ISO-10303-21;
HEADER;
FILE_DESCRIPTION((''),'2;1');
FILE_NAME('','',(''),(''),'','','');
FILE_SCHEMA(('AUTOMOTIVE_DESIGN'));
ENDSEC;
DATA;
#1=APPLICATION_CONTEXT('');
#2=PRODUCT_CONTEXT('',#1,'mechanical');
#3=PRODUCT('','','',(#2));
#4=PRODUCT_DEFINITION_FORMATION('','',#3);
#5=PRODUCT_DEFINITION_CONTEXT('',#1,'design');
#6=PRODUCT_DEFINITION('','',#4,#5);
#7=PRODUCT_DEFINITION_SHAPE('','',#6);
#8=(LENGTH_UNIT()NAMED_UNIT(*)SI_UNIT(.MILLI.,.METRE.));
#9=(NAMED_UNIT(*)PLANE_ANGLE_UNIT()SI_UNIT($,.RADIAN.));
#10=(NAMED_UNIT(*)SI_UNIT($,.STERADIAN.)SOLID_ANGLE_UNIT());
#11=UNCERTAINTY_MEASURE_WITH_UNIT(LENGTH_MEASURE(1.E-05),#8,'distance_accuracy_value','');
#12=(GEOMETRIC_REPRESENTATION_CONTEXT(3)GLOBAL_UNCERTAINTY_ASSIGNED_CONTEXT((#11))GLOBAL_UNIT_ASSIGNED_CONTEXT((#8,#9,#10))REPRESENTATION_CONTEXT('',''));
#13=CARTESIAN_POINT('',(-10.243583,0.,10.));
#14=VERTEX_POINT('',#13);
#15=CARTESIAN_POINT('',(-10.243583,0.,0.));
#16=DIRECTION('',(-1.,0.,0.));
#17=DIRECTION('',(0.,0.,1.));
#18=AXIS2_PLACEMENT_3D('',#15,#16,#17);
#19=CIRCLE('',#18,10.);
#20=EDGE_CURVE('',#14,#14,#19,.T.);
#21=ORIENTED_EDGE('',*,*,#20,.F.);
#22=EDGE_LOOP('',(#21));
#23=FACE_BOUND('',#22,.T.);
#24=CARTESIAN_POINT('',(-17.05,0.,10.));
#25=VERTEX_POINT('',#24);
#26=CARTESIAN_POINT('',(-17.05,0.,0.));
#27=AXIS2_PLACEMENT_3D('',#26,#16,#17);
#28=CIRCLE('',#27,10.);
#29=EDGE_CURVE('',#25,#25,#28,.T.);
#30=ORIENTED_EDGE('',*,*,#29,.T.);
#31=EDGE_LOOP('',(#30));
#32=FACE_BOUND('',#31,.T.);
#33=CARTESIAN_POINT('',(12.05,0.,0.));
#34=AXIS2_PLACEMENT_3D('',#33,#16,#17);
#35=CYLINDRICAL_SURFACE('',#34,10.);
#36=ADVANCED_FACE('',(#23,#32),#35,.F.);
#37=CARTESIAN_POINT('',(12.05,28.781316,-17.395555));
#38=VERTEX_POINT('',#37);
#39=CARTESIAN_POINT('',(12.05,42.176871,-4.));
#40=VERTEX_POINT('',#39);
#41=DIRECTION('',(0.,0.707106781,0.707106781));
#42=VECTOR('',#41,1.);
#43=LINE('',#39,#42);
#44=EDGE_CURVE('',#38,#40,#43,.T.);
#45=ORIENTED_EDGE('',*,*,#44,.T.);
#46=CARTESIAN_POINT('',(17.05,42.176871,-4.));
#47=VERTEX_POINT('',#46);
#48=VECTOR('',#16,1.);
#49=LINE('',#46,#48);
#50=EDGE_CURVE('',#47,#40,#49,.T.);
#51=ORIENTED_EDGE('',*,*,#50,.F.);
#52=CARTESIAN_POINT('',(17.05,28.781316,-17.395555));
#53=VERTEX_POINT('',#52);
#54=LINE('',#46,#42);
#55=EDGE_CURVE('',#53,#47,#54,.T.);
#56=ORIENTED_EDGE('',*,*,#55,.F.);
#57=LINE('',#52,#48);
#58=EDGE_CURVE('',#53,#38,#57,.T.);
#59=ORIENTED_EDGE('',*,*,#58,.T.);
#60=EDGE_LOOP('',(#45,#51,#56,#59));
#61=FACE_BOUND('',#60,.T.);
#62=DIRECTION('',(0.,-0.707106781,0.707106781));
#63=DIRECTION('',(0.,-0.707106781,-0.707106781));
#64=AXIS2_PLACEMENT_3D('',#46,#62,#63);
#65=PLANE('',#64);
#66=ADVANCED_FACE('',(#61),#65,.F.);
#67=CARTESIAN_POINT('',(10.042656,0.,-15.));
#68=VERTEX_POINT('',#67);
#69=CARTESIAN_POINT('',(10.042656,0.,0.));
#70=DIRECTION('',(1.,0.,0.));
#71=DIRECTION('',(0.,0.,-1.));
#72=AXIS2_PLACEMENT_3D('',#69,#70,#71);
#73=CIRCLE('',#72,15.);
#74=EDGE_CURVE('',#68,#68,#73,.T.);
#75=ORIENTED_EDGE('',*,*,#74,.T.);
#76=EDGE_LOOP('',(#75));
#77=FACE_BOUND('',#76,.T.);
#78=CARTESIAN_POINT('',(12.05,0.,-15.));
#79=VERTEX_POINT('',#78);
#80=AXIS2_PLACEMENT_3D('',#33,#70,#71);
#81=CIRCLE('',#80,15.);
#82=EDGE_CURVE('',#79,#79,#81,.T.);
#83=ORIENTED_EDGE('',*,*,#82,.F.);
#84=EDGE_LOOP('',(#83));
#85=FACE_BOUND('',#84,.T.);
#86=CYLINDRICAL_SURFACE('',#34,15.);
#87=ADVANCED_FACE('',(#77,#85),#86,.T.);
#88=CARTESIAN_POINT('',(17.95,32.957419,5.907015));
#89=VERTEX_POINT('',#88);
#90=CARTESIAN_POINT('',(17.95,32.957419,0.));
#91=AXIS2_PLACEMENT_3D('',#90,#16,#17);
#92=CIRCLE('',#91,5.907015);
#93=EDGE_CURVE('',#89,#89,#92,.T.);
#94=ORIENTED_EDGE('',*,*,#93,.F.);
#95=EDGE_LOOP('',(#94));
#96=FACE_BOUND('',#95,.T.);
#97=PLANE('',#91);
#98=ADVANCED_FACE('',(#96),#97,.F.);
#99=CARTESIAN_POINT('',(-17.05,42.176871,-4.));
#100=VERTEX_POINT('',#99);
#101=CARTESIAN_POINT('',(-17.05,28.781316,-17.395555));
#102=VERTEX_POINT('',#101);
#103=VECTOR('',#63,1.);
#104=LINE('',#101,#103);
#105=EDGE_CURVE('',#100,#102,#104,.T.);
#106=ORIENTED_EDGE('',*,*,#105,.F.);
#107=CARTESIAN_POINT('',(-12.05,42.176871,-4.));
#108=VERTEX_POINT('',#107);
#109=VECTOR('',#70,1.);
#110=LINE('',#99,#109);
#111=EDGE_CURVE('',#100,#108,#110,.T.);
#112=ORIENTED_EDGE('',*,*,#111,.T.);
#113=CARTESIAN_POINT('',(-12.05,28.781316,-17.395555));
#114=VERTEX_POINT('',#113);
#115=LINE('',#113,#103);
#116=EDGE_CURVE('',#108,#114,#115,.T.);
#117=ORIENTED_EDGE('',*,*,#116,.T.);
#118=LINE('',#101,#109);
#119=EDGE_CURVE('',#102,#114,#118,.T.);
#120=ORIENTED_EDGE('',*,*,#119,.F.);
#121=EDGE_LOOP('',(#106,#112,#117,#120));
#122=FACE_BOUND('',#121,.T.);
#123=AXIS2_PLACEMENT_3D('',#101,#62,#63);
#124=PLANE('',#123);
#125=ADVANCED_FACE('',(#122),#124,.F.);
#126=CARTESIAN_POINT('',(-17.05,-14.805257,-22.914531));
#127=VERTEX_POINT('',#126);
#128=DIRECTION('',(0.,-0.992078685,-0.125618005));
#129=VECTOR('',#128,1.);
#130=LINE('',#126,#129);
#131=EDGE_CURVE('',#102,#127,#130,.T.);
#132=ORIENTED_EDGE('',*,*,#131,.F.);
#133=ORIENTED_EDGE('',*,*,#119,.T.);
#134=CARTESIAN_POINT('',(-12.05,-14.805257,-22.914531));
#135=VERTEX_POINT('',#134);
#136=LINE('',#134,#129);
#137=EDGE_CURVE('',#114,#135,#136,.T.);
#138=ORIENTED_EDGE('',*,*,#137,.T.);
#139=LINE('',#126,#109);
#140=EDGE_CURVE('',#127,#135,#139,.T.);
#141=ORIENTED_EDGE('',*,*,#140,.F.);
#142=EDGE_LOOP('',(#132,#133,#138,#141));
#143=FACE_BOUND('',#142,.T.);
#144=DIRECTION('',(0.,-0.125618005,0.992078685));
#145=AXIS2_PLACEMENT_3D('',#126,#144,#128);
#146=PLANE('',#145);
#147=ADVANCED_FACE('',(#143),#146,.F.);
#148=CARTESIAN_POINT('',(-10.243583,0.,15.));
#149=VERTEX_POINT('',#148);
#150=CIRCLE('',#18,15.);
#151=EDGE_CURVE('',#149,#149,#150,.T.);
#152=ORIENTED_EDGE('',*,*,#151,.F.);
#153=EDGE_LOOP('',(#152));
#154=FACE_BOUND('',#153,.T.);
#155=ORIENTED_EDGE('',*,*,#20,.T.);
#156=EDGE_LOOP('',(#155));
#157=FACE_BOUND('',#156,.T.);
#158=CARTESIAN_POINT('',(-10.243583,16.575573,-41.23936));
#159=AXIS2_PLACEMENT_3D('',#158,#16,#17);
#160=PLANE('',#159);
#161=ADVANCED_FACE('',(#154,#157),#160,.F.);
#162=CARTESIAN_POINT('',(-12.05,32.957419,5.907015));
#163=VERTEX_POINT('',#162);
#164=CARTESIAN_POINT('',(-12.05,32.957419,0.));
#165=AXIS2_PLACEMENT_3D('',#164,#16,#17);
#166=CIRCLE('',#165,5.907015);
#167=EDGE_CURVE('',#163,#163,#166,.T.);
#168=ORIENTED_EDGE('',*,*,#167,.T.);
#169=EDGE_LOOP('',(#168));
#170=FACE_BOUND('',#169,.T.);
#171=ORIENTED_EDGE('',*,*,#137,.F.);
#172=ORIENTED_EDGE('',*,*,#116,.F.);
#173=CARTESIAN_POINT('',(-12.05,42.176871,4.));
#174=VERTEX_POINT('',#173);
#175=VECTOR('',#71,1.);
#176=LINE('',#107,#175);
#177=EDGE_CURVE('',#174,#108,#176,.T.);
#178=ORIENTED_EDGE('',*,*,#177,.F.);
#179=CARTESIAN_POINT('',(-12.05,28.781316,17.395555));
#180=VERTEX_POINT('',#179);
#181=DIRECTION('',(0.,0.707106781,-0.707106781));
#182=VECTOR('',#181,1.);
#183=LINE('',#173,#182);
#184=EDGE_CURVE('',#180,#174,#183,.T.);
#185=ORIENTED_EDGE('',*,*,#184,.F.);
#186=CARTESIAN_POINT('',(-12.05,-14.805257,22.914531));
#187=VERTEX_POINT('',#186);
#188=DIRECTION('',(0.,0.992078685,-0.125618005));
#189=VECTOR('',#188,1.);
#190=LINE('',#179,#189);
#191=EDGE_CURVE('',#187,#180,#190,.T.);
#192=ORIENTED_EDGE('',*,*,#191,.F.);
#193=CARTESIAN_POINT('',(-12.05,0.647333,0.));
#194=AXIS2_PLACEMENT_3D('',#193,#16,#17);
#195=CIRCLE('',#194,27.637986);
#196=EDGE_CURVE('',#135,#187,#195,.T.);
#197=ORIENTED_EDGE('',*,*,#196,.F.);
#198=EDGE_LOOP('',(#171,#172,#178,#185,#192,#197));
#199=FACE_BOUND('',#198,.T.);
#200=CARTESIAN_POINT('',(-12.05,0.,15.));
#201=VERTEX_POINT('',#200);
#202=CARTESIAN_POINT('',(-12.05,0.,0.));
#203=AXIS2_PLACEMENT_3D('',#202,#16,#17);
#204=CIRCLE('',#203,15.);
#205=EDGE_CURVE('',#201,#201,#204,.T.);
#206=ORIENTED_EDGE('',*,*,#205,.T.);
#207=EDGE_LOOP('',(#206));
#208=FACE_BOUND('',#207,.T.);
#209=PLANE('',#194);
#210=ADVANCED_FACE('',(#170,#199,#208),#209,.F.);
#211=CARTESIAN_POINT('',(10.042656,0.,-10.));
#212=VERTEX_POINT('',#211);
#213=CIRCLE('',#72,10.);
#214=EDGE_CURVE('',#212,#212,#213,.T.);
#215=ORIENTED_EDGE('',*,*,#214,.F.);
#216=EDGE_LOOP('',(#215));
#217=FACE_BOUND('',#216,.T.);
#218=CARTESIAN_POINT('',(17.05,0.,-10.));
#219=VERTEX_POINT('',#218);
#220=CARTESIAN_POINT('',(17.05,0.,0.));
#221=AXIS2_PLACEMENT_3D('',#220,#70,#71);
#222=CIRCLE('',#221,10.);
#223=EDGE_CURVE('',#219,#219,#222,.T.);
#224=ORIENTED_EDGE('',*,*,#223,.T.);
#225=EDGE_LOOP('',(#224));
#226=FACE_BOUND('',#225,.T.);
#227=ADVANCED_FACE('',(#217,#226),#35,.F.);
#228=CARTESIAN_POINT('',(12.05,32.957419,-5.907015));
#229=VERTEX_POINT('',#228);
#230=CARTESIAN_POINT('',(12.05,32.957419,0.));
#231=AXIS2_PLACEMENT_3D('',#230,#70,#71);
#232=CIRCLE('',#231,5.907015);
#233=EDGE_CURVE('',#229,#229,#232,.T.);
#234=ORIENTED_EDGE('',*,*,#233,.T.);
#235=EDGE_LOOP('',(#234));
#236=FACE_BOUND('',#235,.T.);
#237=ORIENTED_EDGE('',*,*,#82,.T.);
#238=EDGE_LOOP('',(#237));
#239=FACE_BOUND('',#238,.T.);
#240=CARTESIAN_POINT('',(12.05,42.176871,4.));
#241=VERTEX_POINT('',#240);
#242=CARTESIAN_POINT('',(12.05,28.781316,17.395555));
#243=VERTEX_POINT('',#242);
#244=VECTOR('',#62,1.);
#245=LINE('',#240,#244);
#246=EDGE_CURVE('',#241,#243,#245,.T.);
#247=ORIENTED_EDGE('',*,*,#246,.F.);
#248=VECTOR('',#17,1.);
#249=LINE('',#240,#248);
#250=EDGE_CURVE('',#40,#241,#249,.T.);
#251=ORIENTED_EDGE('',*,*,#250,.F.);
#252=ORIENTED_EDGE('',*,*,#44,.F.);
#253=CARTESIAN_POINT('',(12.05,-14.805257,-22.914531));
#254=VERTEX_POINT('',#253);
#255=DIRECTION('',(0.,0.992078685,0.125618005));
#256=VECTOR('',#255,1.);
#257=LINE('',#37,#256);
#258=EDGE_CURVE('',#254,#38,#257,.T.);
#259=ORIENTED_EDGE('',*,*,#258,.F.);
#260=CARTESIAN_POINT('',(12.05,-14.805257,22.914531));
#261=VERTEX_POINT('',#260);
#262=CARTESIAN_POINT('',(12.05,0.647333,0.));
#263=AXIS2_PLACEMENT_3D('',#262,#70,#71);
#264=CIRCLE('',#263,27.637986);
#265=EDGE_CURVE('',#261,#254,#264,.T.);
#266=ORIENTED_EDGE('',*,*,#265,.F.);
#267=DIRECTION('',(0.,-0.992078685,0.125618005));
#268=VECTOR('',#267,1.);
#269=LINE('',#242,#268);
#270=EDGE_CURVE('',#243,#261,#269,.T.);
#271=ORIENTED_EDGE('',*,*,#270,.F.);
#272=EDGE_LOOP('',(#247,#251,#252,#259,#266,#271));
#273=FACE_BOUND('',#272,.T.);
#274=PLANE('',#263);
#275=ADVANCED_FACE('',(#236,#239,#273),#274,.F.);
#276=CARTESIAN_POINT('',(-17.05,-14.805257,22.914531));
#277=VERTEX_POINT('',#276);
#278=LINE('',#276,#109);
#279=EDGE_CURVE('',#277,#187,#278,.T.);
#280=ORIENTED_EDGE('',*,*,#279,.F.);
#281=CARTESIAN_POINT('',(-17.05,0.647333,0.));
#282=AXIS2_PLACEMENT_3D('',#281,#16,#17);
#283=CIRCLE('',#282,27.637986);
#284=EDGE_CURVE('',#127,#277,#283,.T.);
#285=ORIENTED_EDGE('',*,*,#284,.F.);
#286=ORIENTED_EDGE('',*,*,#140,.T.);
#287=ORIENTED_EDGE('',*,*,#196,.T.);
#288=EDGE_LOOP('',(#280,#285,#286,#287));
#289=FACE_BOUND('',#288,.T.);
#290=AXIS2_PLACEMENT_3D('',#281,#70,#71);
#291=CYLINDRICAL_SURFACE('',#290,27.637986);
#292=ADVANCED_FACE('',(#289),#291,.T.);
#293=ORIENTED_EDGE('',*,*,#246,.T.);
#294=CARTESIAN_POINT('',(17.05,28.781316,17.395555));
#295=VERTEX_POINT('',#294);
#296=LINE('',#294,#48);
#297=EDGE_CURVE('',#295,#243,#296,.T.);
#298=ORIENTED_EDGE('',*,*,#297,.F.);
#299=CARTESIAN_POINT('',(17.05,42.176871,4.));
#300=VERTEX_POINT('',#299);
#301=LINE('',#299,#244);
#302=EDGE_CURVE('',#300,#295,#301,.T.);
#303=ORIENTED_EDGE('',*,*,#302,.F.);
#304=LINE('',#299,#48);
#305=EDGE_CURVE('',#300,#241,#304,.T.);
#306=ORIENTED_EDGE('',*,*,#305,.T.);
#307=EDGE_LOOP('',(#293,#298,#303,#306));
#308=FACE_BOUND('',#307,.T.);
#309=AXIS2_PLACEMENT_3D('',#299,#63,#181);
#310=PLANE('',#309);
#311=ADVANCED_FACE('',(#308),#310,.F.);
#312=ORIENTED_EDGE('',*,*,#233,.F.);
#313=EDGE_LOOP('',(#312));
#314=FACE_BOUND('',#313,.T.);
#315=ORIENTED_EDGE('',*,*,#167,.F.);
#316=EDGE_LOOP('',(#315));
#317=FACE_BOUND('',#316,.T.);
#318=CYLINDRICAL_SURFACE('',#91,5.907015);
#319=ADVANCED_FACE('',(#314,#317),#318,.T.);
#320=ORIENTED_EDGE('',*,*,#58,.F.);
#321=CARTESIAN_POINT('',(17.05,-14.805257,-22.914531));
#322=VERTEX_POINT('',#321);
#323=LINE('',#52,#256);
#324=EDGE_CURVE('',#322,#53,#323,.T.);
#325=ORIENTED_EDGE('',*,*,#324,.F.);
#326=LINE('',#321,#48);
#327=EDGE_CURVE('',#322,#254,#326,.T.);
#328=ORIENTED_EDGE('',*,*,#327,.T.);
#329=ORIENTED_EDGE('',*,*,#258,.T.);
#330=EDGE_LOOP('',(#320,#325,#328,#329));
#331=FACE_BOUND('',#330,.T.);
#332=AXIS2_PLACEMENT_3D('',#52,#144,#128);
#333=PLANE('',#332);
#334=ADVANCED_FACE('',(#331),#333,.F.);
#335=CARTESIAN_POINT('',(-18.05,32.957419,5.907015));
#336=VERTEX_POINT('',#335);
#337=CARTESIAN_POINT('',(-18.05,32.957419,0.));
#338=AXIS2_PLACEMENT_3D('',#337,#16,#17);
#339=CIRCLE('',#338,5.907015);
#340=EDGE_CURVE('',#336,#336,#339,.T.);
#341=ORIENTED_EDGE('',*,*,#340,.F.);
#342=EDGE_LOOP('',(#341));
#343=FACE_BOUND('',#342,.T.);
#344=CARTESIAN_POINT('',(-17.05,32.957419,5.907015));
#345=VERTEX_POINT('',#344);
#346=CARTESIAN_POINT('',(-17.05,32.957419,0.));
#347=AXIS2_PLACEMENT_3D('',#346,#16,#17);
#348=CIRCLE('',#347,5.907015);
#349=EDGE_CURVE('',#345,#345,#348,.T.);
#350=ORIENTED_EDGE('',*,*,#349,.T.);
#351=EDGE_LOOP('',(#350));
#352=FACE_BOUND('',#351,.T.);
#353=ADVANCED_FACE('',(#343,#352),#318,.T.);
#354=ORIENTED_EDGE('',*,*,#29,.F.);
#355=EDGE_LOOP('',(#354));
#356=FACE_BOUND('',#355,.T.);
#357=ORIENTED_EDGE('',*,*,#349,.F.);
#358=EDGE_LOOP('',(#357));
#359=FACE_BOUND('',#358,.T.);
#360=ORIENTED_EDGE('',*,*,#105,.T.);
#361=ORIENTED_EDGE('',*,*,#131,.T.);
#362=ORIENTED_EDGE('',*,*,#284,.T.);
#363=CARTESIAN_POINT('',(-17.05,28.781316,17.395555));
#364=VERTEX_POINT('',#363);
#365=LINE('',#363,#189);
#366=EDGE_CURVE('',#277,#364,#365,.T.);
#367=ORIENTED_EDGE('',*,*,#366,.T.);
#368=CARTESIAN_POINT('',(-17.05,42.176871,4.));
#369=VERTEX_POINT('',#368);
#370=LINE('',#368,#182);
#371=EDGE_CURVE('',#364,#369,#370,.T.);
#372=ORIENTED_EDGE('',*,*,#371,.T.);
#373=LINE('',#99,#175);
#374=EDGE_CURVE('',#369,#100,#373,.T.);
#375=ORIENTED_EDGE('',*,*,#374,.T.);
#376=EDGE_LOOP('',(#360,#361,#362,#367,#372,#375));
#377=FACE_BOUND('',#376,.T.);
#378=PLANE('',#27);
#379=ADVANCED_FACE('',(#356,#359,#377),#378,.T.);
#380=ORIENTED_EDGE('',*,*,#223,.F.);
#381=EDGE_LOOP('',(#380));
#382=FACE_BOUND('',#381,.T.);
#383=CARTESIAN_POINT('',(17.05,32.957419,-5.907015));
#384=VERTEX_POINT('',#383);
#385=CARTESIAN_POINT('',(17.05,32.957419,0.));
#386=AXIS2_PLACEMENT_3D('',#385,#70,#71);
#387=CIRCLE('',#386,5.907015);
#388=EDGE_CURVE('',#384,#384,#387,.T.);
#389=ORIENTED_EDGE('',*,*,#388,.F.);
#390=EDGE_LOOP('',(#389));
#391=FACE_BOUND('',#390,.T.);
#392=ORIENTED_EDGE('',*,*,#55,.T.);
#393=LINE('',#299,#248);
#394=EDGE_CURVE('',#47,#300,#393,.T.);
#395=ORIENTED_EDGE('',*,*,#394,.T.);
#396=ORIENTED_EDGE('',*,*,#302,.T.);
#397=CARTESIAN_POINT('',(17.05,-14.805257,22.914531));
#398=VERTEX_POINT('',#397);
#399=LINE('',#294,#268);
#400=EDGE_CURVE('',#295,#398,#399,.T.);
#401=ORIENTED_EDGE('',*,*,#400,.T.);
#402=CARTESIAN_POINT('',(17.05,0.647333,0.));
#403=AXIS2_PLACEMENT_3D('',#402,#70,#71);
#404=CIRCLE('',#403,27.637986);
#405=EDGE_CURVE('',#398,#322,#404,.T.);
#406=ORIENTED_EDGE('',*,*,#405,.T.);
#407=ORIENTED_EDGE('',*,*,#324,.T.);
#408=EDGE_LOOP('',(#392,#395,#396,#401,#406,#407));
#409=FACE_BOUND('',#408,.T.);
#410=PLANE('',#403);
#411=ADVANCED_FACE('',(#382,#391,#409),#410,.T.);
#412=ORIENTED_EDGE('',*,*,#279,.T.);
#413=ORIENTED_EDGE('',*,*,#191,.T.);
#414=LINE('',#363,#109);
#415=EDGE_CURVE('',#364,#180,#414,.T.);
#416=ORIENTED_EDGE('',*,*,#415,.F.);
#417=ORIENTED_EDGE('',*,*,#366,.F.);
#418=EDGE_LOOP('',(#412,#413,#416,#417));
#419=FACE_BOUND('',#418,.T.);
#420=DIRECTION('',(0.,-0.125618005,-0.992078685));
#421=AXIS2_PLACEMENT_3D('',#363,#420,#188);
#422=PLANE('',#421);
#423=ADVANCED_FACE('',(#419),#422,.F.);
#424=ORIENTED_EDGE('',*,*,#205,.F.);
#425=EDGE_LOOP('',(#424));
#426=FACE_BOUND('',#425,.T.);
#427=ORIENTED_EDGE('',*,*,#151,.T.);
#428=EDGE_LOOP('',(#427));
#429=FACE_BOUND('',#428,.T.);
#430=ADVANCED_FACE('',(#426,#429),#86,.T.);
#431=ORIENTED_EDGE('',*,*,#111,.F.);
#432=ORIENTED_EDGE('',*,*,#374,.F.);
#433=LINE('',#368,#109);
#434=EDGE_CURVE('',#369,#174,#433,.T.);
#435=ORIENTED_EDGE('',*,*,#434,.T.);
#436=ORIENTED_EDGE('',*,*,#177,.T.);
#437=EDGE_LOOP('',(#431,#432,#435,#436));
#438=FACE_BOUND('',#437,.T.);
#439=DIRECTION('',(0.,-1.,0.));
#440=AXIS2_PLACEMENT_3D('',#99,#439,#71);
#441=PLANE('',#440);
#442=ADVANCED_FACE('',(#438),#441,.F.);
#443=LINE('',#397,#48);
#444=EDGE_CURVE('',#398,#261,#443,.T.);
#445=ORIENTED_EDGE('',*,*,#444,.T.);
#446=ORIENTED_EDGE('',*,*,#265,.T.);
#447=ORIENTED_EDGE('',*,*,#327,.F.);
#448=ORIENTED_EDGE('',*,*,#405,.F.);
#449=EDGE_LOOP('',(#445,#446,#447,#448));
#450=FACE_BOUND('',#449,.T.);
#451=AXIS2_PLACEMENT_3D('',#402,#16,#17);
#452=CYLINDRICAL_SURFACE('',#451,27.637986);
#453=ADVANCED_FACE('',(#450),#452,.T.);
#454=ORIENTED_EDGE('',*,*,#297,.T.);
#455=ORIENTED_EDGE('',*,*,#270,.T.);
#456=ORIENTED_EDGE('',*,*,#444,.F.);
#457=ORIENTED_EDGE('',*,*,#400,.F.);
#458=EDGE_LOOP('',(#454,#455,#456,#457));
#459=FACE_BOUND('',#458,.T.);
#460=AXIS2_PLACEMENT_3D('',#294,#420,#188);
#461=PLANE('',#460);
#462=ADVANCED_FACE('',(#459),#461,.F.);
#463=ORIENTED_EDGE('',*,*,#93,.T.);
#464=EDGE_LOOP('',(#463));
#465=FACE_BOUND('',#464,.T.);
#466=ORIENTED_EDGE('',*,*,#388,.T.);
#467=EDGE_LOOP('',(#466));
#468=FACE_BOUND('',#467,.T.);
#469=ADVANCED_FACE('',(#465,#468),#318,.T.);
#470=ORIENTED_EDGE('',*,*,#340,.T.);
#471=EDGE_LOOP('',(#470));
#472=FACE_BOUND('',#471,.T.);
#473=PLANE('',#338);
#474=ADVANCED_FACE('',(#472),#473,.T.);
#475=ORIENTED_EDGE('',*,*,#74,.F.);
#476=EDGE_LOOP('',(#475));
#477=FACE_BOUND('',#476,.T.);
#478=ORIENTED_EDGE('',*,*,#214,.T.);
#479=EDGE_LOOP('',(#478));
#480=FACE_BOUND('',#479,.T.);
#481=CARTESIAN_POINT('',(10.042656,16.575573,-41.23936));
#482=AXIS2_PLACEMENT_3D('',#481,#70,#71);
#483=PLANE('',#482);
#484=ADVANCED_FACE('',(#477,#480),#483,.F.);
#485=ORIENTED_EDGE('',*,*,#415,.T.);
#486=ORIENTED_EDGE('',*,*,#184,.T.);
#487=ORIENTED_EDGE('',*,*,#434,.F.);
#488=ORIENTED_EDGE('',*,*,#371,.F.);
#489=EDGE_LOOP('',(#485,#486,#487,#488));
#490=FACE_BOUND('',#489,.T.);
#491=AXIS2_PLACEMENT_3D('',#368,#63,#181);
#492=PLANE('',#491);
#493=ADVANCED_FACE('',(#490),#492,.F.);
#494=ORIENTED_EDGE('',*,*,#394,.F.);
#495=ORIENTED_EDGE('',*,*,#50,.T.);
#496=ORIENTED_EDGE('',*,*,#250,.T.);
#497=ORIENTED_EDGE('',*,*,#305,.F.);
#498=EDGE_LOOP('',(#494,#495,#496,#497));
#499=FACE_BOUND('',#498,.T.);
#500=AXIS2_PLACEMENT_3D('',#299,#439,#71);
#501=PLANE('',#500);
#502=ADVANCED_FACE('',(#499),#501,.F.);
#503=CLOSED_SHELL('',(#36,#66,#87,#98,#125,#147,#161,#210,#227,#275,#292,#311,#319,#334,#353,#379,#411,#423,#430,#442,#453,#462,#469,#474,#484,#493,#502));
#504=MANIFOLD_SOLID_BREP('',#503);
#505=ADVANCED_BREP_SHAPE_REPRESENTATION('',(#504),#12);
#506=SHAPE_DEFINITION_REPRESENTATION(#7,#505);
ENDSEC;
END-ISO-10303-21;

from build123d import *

# Parameters (mm, degrees)
IZIM2_R                          = 15
IZIM2_R_2                        = 10
Y_KSEKLIK_EKSTR_ZYON1_DEPTH      = 12.05
IZIM3_R                          = 10
Y_KSEKLIK_EKSTR_ZYON2_DEPTH      = 5
IZIM4_R                          = 15
Y_KSEKLIK_EKSTR_ZYON3_DEPTH      = 5
IZIM7_R                          = 15
IZIM7_R_2                        = 10
Y_KSEKLIK_EKSTR_ZYON4_DEPTH      = 5
IZIM5_R                          = 5.907014981
Y_KSEKLIK_EKSTR_ZYON5_DEPTH      = 1
Y_KSEKLIK_EKSTR_ZYON5_DEPTH_BACK = 35
SKETCH1_W                        = 20.286238667
SKETCH1_H                        = 40.774330455
CUT_EXTRUDE1_DEPTH               = 110


with BuildPart() as part:
    # Çizim2 → Yükseklik-Ekstrüzyon1 (new body, symmetric)
    with BuildSketch(Plane(origin=(0, 0, 0), x_dir=(0, 0, -1), z_dir=(1, 0, 0))):
        Circle(IZIM2_R)
        Circle(IZIM2_R_2, mode=Mode.SUBTRACT)
    extrude(amount=Y_KSEKLIK_EKSTR_ZYON1_DEPTH, both=True)

    # Çizim3 → Yükseklik-Ekstrüzyon2 (add)
    with BuildSketch(Plane(origin=(12.05, 0, 0), x_dir=(0, 0, -1), z_dir=(1, 0, 0))):
        with BuildLine():
            Line((-4, 42.176870951), (4, 42.176870951))
            Line((4, 42.176870951), (17.395555059, 28.781315891))
            Line((17.395555059, 28.781315891), (22.914530919, -14.80525669))
            ThreePointArc((22.914530919, -14.80525669), (0, -26.990652818), (-22.914530919, -14.80525669))
            Line((-22.914530919, -14.80525669), (-17.395555059, 28.781315891))
            Line((-17.395555059, 28.781315891), (-4, 42.176870951))
        make_face()
        Circle(IZIM3_R, mode=Mode.SUBTRACT)
    extrude(amount=Y_KSEKLIK_EKSTR_ZYON2_DEPTH)



with BuildPart() as body_2:
    # Çizim4 → Yükseklik-Ekstrüzyon3 (new body)
    with BuildSketch(Plane.ZY.offset(12.05)):
        with BuildLine():
            Line((-4, 42.176870951), (4, 42.176870951))
            Line((4, 42.176870951), (17.395555059, 28.781315891))
            Line((17.395555059, 28.781315891), (22.914530919, -14.80525669))
            ThreePointArc((22.914530919, -14.80525669), (0, -26.990652818), (-22.914530919, -14.80525669))
            Line((-22.914530919, -14.80525669), (-17.395555059, 28.781315891))
            Line((-17.395555059, 28.781315891), (-4, 42.176870951))
        make_face()
        Circle(IZIM4_R, mode=Mode.SUBTRACT)
    extrude(amount=Y_KSEKLIK_EKSTR_ZYON3_DEPTH)


with BuildPart() as part_1:
    add(part.part)

    add(body_2.part)  # Yükseklik-Ekstrüzyon4 merges body 2
    # Çizim7 → Yükseklik-Ekstrüzyon4 (add)
    with BuildSketch(Plane.ZY.offset(12.05)):
        Circle(IZIM7_R)
        Circle(IZIM7_R_2, mode=Mode.SUBTRACT)
    extrude(amount=Y_KSEKLIK_EKSTR_ZYON4_DEPTH)

    # Çizim5 → Yükseklik-Ekstrüzyon5 (add, two sides)
    with BuildSketch(Plane.ZY.offset(17.05)) as y_kseklik_ekstr_zyon5_sk:
        with Locations((0, 32.957419359)):
            Circle(IZIM5_R)
    extrude(amount=Y_KSEKLIK_EKSTR_ZYON5_DEPTH)
    extrude(y_kseklik_ekstr_zyon5_sk.sketch, amount=-Y_KSEKLIK_EKSTR_ZYON5_DEPTH_BACK)

    # Sketch1 → Cut-Extrude1 (cut)
    with BuildSketch(Plane.XY.offset(68.760639517)):
        with Locations((-0.100463281, -3.811592274)):
            Rectangle(SKETCH1_W, SKETCH1_H)
    extrude(amount=-CUT_EXTRUDE1_DEPTH, mode=Mode.SUBTRACT)


solid = part_1.part
